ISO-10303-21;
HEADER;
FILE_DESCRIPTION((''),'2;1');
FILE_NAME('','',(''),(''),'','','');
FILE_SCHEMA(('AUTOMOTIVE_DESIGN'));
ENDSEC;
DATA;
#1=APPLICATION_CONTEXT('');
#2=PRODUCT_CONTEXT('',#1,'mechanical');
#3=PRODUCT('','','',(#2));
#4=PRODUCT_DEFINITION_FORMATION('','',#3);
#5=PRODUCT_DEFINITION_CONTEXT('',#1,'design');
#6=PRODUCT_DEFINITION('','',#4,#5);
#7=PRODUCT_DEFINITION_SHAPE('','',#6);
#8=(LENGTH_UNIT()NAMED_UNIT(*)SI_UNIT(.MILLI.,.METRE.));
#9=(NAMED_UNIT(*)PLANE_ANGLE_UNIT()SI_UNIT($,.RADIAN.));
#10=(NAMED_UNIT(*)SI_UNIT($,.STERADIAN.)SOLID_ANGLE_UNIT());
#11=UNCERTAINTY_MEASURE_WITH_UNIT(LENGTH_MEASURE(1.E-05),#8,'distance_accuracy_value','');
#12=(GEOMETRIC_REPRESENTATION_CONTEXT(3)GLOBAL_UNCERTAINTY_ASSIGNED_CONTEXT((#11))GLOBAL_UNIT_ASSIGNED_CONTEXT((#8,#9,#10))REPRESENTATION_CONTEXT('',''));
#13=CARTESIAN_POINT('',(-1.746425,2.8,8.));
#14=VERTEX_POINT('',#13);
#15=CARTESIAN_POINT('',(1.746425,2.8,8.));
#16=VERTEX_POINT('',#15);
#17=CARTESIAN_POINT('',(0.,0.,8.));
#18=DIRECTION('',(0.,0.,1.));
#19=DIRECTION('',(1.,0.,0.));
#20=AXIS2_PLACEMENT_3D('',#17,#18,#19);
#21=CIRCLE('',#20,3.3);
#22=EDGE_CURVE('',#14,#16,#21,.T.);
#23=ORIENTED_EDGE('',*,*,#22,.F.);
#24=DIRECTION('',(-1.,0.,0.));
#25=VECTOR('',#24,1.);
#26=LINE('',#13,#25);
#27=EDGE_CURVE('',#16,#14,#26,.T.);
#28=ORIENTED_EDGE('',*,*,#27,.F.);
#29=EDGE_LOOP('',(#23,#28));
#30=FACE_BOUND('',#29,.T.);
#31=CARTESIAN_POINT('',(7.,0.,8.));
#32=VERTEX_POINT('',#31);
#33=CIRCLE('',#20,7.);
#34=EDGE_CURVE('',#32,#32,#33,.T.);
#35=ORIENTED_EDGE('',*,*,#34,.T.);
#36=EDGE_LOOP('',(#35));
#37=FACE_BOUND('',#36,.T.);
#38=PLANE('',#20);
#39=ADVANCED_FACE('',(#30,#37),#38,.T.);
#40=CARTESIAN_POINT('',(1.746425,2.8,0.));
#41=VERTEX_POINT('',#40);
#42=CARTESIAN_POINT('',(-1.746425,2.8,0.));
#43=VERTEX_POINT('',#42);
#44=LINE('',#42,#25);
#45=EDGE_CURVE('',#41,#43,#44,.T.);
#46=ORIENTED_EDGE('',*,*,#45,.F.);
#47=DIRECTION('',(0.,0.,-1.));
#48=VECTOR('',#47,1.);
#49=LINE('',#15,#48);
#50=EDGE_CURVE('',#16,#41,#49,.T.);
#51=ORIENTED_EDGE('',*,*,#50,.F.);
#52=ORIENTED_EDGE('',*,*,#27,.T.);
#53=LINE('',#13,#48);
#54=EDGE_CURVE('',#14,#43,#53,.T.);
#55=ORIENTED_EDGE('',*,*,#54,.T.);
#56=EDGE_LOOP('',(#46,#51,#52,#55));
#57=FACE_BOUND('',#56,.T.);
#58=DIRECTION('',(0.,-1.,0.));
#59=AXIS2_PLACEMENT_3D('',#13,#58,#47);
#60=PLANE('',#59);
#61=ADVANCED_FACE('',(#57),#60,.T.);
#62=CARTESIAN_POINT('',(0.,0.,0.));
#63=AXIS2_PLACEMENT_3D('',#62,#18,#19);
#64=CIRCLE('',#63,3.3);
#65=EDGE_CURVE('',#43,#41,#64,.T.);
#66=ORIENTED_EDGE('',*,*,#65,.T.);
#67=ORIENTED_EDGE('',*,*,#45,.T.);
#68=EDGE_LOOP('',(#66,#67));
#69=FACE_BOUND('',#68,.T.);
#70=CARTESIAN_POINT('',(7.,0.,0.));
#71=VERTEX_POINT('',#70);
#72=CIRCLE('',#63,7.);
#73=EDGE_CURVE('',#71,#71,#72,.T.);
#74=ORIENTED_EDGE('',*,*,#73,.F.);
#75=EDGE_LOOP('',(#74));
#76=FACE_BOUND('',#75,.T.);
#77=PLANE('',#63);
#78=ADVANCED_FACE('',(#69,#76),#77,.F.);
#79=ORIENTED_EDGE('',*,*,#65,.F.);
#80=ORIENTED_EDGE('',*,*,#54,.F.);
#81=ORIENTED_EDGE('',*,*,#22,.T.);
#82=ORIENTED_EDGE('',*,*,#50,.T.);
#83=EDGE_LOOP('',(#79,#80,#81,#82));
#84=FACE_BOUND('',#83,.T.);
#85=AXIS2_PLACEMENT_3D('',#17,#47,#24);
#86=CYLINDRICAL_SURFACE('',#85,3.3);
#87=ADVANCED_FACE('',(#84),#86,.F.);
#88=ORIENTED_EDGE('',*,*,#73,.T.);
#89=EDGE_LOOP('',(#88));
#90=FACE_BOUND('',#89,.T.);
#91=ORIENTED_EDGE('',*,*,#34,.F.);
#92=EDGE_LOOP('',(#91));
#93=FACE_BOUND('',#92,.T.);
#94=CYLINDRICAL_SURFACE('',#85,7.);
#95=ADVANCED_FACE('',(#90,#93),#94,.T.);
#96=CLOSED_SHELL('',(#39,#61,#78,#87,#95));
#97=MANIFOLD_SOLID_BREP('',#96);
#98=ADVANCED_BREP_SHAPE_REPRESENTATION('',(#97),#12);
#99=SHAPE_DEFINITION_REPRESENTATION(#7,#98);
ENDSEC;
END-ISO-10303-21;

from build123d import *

# Parameters (mm, degrees)
ESQUISSE1_R        = 7
BOSS_EXTRU_1_DEPTH = 8


with BuildPart() as part:
    # Esquisse1 → Boss.-Extru.1 (new body)
    with BuildSketch(Plane.XY):
        Circle(ESQUISSE1_R)
        with BuildLine():
            Line((-1.74642492, 2.8), (1.74642492, 2.8))
            ThreePointArc((1.74642492, 2.8), (0, -3.3), (-1.74642492, 2.8))
        make_face(mode=Mode.SUBTRACT)
    extrude(amount=BOSS_EXTRU_1_DEPTH)


solid = part.part
